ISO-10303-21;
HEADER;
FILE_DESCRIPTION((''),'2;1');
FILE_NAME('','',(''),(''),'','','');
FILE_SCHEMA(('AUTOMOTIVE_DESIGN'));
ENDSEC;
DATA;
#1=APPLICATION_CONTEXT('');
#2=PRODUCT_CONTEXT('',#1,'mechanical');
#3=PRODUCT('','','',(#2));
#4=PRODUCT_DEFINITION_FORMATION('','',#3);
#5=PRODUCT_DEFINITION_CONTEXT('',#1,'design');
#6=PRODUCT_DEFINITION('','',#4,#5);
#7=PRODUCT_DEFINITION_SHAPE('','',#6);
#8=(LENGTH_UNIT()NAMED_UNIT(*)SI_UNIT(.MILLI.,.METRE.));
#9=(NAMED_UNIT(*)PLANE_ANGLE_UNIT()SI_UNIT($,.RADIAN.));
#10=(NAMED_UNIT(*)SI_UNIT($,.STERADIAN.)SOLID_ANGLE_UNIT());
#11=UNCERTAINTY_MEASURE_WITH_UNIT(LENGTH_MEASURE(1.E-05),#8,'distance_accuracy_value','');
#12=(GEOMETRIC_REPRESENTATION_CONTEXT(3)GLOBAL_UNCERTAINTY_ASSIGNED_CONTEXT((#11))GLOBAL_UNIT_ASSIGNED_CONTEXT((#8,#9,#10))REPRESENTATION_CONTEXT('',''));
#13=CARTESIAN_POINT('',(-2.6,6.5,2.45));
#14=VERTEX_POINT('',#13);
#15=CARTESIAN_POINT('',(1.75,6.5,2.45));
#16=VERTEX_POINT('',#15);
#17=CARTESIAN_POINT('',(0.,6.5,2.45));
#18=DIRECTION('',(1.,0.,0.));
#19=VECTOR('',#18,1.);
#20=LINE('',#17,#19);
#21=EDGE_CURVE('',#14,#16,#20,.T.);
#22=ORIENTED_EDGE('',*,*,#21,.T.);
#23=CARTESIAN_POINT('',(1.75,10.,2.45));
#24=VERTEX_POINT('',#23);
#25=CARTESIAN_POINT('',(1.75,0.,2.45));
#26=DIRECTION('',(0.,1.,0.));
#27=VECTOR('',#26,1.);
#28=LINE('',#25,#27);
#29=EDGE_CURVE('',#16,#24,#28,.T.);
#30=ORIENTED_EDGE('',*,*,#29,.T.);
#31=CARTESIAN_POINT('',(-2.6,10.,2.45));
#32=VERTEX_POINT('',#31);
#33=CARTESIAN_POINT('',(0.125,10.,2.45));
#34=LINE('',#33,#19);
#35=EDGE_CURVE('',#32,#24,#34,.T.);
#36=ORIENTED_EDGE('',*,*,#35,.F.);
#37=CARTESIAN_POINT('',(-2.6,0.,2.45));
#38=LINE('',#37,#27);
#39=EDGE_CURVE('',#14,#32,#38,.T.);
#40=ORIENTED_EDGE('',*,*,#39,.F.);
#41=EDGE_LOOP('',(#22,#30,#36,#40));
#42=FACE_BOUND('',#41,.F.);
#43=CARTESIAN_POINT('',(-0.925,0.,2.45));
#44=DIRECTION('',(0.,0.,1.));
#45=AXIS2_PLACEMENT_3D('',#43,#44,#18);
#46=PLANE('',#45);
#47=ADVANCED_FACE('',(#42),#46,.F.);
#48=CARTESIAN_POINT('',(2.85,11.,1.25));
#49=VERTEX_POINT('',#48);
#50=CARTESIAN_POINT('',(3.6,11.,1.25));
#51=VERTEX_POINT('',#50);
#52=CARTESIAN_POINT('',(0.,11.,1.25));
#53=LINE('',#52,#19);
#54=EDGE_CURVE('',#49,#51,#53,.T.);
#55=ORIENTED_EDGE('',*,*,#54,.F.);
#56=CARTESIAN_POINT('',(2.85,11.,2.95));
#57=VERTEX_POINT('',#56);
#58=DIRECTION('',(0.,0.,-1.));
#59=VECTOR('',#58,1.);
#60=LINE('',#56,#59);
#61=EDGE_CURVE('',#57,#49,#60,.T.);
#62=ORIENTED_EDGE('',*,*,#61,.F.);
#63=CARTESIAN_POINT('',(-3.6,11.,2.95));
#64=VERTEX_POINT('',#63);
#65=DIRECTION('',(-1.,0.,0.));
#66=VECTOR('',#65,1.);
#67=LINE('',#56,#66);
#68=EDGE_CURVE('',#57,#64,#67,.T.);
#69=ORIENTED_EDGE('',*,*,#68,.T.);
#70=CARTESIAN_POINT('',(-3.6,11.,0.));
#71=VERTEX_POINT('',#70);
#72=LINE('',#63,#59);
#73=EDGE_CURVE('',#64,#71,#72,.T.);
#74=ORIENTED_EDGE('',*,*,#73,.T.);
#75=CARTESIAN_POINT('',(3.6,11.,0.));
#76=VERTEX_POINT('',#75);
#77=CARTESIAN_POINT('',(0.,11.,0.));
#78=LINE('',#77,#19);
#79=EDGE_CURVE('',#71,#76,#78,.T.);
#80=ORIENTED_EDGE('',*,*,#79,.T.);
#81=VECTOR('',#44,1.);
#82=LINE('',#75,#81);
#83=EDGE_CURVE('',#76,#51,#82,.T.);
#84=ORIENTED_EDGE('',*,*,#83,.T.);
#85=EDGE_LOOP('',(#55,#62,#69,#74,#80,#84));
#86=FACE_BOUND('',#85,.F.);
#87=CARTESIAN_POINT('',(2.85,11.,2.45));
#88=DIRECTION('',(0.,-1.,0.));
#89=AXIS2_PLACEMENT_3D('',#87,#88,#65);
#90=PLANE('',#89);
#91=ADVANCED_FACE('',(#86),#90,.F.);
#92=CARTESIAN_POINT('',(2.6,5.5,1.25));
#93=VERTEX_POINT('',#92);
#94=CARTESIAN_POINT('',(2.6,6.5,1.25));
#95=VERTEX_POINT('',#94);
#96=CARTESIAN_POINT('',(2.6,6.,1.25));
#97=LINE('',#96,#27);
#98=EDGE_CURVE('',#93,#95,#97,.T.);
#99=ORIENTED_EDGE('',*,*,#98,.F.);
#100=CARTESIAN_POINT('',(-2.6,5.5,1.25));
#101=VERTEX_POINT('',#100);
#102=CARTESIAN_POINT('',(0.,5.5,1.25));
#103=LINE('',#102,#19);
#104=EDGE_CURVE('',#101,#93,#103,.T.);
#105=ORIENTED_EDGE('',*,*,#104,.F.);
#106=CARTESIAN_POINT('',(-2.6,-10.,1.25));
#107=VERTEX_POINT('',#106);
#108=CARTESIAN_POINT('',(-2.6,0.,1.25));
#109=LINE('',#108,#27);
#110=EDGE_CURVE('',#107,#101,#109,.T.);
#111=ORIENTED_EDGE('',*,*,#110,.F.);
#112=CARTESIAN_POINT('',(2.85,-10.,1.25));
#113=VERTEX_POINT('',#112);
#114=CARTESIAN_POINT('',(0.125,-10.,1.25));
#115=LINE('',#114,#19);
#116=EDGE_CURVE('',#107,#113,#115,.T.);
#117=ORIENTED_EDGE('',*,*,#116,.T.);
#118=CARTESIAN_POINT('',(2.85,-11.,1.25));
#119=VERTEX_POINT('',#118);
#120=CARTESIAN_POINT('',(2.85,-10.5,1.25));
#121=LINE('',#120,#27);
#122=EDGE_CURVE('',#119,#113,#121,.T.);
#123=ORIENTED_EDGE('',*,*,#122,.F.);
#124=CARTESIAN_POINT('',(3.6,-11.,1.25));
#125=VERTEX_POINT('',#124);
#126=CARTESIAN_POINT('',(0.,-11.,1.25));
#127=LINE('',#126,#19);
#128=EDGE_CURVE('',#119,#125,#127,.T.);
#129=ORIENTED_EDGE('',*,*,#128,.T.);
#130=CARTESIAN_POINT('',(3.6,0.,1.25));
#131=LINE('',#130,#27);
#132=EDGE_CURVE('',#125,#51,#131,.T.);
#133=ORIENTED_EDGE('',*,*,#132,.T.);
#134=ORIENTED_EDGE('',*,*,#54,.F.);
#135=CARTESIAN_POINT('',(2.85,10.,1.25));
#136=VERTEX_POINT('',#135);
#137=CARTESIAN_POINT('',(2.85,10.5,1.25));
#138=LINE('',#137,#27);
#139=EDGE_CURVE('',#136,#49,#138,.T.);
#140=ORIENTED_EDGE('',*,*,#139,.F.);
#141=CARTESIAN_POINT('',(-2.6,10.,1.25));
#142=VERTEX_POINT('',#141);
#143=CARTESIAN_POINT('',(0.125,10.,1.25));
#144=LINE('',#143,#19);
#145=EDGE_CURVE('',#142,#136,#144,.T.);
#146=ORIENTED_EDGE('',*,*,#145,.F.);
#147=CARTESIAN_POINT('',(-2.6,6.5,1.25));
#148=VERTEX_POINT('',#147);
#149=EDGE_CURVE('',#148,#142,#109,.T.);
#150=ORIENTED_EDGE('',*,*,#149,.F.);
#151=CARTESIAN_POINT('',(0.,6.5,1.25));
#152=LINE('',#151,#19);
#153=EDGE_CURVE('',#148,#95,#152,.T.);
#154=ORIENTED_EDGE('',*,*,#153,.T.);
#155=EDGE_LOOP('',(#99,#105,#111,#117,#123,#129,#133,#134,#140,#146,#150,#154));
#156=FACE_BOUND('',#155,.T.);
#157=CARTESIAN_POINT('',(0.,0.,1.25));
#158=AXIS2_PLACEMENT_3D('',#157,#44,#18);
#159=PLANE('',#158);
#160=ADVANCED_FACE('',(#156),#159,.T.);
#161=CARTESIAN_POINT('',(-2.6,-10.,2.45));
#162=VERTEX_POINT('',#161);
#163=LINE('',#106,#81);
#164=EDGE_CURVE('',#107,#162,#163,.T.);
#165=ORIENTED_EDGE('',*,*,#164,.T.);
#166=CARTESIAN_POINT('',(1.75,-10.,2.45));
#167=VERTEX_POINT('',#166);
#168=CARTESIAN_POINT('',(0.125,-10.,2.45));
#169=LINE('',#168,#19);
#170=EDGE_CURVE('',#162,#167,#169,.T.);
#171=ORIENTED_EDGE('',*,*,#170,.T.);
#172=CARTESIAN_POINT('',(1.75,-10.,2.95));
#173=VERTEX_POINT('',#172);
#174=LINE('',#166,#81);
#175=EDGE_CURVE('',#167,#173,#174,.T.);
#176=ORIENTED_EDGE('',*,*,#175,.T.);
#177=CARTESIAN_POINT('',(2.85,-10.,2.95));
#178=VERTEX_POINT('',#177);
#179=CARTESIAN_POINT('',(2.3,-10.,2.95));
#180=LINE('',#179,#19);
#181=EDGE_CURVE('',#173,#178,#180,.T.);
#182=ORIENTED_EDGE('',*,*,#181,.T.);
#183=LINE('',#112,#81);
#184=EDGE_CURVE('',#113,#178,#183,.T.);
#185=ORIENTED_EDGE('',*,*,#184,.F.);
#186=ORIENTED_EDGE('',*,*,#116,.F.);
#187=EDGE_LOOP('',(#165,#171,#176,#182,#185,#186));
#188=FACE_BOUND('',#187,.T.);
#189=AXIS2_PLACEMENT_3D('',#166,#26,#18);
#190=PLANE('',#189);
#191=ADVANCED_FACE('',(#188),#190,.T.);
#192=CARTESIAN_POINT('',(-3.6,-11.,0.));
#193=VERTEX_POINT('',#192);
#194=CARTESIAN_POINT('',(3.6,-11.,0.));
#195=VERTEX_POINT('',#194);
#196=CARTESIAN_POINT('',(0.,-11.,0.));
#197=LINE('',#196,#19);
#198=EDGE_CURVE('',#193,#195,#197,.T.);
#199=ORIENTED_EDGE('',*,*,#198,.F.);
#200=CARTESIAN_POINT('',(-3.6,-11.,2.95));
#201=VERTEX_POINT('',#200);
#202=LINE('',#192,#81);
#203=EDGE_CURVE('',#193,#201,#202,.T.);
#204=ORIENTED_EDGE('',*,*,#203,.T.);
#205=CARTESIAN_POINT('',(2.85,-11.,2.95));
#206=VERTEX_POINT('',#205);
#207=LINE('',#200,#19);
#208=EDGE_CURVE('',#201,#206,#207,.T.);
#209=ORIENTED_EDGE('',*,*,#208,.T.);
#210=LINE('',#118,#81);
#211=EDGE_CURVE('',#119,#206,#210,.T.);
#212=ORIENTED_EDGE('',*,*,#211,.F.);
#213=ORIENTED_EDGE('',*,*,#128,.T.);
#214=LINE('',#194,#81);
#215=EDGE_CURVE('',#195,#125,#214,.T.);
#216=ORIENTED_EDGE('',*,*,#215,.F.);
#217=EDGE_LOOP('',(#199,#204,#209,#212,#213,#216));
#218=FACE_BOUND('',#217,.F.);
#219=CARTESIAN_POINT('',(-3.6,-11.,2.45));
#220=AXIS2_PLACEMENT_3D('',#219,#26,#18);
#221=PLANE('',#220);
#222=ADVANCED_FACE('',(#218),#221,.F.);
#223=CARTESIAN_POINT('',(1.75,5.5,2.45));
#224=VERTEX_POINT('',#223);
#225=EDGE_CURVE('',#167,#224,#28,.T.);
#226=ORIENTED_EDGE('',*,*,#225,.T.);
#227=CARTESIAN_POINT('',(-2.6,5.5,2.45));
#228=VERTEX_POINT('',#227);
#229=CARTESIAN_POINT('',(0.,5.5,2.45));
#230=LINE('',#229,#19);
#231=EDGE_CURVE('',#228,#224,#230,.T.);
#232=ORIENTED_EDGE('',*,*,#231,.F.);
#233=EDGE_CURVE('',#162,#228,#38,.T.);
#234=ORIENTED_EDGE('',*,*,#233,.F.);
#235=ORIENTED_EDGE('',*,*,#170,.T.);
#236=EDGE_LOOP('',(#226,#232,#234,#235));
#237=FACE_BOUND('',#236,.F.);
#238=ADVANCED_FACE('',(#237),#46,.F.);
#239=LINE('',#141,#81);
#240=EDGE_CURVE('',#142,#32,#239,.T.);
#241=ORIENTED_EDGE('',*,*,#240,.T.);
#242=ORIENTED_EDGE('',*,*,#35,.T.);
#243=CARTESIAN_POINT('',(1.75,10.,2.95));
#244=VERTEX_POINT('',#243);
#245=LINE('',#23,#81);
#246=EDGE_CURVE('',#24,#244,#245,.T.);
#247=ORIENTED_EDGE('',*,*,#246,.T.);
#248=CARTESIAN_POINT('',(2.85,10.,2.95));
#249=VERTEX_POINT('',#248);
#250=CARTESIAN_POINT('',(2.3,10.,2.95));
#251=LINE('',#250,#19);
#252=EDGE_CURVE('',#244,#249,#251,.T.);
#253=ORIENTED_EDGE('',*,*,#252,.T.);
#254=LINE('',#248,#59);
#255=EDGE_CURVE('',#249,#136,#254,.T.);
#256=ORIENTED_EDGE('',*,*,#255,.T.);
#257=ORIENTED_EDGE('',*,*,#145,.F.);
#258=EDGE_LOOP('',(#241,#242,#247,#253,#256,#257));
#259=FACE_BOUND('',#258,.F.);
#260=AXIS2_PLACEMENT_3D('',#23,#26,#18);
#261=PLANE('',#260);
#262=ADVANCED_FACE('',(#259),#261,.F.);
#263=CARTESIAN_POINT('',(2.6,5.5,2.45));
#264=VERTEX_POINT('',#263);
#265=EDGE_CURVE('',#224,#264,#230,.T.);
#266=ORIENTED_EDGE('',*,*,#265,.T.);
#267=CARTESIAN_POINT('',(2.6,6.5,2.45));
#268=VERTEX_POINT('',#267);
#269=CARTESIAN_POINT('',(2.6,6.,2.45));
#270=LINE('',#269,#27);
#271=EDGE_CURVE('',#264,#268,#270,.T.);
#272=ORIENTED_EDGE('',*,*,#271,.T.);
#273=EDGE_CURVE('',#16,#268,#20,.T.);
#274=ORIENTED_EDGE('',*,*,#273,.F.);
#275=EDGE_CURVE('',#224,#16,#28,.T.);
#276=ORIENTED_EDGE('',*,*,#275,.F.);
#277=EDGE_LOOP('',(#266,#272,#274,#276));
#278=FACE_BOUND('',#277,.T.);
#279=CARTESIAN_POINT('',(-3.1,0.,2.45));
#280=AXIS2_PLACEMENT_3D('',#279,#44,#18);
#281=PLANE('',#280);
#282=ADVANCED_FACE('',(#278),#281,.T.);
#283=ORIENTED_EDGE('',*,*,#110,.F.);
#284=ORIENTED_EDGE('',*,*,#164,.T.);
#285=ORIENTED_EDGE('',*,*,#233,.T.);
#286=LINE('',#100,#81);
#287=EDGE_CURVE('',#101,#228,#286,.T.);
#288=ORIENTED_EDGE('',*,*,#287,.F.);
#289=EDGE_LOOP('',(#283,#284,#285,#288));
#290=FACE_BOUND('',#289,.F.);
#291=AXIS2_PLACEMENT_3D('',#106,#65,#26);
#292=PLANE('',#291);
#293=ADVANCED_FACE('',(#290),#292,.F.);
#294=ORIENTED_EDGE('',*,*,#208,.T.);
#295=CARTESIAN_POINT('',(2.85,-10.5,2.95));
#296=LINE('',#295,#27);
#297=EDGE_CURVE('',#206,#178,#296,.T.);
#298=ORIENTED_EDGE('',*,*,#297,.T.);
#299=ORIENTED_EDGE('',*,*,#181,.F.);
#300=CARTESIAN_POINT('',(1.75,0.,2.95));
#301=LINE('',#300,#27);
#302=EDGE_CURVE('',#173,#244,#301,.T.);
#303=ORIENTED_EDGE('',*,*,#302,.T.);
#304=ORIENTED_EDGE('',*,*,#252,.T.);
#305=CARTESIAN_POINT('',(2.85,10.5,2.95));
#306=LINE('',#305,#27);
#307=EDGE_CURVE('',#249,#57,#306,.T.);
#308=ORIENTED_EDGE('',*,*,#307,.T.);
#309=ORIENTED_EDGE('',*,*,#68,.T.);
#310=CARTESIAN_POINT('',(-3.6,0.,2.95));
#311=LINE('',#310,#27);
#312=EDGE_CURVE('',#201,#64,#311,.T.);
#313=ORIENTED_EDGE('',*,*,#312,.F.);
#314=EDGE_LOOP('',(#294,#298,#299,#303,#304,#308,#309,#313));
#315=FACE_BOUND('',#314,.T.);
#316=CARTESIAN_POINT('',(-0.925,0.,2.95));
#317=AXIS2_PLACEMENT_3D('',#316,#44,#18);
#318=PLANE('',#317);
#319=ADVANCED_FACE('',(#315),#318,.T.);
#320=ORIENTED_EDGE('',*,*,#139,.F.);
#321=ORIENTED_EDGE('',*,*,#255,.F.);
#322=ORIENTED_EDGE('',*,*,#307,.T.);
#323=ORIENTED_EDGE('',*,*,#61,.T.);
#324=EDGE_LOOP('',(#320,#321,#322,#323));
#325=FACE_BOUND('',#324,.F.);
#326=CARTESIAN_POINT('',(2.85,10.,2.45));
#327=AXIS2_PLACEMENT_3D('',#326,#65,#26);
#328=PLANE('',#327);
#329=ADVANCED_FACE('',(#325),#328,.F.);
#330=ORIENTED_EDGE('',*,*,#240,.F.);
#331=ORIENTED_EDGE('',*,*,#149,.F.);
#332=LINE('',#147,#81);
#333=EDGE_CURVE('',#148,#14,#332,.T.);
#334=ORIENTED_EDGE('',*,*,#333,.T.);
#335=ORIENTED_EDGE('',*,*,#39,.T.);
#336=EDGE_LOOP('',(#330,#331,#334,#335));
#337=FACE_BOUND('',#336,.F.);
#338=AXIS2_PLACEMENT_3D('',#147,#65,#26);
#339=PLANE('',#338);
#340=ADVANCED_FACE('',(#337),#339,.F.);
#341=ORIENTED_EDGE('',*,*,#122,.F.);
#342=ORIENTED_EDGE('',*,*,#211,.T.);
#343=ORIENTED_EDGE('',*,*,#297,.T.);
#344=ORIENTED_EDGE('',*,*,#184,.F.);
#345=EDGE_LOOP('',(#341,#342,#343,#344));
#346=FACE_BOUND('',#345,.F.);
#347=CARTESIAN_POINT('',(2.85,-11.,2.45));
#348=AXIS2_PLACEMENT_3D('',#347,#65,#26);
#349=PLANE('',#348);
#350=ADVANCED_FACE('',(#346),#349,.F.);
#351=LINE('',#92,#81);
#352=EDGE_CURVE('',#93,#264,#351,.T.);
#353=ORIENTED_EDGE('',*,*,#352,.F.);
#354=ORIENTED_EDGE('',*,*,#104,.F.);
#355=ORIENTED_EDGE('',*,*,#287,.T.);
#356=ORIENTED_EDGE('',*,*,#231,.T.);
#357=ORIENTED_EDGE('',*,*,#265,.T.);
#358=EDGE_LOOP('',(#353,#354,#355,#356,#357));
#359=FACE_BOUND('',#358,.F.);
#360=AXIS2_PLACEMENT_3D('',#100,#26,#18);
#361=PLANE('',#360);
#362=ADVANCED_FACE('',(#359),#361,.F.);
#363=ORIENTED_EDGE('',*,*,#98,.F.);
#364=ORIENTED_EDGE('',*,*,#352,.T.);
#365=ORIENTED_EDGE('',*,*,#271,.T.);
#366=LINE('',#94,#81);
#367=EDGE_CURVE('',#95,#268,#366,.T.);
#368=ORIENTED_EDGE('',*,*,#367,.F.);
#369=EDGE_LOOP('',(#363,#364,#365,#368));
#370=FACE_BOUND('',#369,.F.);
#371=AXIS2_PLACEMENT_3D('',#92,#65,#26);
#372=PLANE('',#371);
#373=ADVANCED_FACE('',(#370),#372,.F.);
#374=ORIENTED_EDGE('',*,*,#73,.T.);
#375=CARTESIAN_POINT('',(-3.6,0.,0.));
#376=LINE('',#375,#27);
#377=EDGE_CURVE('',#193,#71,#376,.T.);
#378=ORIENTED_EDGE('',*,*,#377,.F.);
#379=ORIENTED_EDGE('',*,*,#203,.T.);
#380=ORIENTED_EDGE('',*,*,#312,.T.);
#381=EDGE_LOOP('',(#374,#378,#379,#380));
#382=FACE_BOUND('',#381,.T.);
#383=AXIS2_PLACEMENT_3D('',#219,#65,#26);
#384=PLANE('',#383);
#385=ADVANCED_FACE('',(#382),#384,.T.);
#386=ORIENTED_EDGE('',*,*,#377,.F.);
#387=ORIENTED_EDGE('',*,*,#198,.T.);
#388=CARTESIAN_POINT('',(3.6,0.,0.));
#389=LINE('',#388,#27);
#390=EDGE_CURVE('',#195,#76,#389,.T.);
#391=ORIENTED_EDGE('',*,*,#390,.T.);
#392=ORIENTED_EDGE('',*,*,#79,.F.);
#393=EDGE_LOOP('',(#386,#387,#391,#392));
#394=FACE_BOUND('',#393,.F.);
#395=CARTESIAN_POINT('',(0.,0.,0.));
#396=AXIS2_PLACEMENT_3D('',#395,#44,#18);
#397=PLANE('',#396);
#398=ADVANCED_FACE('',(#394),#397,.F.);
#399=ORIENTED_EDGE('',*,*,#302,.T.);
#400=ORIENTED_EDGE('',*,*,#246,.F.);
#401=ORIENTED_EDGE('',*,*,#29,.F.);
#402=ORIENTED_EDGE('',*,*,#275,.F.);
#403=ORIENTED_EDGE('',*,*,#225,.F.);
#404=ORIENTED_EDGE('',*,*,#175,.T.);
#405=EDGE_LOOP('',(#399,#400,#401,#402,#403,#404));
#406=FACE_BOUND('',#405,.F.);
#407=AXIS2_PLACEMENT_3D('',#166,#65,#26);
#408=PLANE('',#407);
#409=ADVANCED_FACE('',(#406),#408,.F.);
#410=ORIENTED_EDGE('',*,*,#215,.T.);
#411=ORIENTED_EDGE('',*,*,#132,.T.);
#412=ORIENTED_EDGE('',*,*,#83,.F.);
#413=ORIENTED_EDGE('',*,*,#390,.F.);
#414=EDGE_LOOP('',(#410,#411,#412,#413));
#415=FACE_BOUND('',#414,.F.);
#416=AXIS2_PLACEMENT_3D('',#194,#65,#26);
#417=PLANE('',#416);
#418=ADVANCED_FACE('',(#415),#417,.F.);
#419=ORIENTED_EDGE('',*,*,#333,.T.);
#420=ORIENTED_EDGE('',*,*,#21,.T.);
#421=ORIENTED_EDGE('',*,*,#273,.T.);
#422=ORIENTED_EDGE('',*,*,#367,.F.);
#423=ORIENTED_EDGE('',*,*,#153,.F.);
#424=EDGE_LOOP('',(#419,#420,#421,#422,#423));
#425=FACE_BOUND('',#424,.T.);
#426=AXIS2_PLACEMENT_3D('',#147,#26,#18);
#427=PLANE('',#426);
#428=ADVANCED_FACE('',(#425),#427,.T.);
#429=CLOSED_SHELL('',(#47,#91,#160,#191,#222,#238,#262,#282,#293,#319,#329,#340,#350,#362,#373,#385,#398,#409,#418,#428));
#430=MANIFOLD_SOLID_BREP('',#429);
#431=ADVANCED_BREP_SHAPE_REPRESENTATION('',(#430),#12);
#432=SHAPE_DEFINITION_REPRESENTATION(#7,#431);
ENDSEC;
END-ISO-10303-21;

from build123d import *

# Parameters (mm, degrees)
SKETCH009_W   = 7.2
SKETCH009_H   = 22
PAD006_DEPTH  = 1.25
SKETCH010_W   = 1
SKETCH010_H   = 22
SKETCH010_W_2 = 5.45
SKETCH010_H_2 = 1
SKETCH010_W_3 = 5.2
PAD007_DEPTH  = 1.2
SKETCH011_W   = 5.35
SKETCH011_H   = 22
SKETCH011_W_2 = 1.1
SKETCH011_H_2 = 1
PAD008_DEPTH  = 0.5


with BuildPart() as part:
    # Sketch009 → Pad006 (new body)
    with BuildSketch(Plane.XY):
        Rectangle(SKETCH009_W, SKETCH009_H)
    extrude(amount=PAD006_DEPTH)

    # Sketch010 (on Face6 of Pad006) → Pad007 (join)
    with BuildSketch(Plane.XY.offset(1.25)):
        with Locations((-3.1, 0)):
            Rectangle(SKETCH010_W, SKETCH010_H)
        with Locations((0.125, 10.5)):
            Rectangle(SKETCH010_W_2, SKETCH010_H_2)
        with Locations((0, 6)):
            Rectangle(SKETCH010_W_3, SKETCH010_H_2)
        with Locations((0.125, -10.5)):
            Rectangle(SKETCH010_W_2, SKETCH010_H_2)
    extrude(amount=PAD007_DEPTH)

    # Sketch011 (on Face16 of Pad007) → Pad008 (join)
    with BuildSketch(Plane.XY.offset(2.45)):
        with Locations((-0.925, 0)):
            Rectangle(SKETCH011_W, SKETCH011_H)
        with Locations((2.3, -10.5)):
            Rectangle(SKETCH011_W_2, SKETCH011_H_2)
        with Locations((2.3, 10.5)):
            Rectangle(SKETCH011_W_2, SKETCH011_H_2)
    extrude(amount=PAD008_DEPTH)


solid = part.part
